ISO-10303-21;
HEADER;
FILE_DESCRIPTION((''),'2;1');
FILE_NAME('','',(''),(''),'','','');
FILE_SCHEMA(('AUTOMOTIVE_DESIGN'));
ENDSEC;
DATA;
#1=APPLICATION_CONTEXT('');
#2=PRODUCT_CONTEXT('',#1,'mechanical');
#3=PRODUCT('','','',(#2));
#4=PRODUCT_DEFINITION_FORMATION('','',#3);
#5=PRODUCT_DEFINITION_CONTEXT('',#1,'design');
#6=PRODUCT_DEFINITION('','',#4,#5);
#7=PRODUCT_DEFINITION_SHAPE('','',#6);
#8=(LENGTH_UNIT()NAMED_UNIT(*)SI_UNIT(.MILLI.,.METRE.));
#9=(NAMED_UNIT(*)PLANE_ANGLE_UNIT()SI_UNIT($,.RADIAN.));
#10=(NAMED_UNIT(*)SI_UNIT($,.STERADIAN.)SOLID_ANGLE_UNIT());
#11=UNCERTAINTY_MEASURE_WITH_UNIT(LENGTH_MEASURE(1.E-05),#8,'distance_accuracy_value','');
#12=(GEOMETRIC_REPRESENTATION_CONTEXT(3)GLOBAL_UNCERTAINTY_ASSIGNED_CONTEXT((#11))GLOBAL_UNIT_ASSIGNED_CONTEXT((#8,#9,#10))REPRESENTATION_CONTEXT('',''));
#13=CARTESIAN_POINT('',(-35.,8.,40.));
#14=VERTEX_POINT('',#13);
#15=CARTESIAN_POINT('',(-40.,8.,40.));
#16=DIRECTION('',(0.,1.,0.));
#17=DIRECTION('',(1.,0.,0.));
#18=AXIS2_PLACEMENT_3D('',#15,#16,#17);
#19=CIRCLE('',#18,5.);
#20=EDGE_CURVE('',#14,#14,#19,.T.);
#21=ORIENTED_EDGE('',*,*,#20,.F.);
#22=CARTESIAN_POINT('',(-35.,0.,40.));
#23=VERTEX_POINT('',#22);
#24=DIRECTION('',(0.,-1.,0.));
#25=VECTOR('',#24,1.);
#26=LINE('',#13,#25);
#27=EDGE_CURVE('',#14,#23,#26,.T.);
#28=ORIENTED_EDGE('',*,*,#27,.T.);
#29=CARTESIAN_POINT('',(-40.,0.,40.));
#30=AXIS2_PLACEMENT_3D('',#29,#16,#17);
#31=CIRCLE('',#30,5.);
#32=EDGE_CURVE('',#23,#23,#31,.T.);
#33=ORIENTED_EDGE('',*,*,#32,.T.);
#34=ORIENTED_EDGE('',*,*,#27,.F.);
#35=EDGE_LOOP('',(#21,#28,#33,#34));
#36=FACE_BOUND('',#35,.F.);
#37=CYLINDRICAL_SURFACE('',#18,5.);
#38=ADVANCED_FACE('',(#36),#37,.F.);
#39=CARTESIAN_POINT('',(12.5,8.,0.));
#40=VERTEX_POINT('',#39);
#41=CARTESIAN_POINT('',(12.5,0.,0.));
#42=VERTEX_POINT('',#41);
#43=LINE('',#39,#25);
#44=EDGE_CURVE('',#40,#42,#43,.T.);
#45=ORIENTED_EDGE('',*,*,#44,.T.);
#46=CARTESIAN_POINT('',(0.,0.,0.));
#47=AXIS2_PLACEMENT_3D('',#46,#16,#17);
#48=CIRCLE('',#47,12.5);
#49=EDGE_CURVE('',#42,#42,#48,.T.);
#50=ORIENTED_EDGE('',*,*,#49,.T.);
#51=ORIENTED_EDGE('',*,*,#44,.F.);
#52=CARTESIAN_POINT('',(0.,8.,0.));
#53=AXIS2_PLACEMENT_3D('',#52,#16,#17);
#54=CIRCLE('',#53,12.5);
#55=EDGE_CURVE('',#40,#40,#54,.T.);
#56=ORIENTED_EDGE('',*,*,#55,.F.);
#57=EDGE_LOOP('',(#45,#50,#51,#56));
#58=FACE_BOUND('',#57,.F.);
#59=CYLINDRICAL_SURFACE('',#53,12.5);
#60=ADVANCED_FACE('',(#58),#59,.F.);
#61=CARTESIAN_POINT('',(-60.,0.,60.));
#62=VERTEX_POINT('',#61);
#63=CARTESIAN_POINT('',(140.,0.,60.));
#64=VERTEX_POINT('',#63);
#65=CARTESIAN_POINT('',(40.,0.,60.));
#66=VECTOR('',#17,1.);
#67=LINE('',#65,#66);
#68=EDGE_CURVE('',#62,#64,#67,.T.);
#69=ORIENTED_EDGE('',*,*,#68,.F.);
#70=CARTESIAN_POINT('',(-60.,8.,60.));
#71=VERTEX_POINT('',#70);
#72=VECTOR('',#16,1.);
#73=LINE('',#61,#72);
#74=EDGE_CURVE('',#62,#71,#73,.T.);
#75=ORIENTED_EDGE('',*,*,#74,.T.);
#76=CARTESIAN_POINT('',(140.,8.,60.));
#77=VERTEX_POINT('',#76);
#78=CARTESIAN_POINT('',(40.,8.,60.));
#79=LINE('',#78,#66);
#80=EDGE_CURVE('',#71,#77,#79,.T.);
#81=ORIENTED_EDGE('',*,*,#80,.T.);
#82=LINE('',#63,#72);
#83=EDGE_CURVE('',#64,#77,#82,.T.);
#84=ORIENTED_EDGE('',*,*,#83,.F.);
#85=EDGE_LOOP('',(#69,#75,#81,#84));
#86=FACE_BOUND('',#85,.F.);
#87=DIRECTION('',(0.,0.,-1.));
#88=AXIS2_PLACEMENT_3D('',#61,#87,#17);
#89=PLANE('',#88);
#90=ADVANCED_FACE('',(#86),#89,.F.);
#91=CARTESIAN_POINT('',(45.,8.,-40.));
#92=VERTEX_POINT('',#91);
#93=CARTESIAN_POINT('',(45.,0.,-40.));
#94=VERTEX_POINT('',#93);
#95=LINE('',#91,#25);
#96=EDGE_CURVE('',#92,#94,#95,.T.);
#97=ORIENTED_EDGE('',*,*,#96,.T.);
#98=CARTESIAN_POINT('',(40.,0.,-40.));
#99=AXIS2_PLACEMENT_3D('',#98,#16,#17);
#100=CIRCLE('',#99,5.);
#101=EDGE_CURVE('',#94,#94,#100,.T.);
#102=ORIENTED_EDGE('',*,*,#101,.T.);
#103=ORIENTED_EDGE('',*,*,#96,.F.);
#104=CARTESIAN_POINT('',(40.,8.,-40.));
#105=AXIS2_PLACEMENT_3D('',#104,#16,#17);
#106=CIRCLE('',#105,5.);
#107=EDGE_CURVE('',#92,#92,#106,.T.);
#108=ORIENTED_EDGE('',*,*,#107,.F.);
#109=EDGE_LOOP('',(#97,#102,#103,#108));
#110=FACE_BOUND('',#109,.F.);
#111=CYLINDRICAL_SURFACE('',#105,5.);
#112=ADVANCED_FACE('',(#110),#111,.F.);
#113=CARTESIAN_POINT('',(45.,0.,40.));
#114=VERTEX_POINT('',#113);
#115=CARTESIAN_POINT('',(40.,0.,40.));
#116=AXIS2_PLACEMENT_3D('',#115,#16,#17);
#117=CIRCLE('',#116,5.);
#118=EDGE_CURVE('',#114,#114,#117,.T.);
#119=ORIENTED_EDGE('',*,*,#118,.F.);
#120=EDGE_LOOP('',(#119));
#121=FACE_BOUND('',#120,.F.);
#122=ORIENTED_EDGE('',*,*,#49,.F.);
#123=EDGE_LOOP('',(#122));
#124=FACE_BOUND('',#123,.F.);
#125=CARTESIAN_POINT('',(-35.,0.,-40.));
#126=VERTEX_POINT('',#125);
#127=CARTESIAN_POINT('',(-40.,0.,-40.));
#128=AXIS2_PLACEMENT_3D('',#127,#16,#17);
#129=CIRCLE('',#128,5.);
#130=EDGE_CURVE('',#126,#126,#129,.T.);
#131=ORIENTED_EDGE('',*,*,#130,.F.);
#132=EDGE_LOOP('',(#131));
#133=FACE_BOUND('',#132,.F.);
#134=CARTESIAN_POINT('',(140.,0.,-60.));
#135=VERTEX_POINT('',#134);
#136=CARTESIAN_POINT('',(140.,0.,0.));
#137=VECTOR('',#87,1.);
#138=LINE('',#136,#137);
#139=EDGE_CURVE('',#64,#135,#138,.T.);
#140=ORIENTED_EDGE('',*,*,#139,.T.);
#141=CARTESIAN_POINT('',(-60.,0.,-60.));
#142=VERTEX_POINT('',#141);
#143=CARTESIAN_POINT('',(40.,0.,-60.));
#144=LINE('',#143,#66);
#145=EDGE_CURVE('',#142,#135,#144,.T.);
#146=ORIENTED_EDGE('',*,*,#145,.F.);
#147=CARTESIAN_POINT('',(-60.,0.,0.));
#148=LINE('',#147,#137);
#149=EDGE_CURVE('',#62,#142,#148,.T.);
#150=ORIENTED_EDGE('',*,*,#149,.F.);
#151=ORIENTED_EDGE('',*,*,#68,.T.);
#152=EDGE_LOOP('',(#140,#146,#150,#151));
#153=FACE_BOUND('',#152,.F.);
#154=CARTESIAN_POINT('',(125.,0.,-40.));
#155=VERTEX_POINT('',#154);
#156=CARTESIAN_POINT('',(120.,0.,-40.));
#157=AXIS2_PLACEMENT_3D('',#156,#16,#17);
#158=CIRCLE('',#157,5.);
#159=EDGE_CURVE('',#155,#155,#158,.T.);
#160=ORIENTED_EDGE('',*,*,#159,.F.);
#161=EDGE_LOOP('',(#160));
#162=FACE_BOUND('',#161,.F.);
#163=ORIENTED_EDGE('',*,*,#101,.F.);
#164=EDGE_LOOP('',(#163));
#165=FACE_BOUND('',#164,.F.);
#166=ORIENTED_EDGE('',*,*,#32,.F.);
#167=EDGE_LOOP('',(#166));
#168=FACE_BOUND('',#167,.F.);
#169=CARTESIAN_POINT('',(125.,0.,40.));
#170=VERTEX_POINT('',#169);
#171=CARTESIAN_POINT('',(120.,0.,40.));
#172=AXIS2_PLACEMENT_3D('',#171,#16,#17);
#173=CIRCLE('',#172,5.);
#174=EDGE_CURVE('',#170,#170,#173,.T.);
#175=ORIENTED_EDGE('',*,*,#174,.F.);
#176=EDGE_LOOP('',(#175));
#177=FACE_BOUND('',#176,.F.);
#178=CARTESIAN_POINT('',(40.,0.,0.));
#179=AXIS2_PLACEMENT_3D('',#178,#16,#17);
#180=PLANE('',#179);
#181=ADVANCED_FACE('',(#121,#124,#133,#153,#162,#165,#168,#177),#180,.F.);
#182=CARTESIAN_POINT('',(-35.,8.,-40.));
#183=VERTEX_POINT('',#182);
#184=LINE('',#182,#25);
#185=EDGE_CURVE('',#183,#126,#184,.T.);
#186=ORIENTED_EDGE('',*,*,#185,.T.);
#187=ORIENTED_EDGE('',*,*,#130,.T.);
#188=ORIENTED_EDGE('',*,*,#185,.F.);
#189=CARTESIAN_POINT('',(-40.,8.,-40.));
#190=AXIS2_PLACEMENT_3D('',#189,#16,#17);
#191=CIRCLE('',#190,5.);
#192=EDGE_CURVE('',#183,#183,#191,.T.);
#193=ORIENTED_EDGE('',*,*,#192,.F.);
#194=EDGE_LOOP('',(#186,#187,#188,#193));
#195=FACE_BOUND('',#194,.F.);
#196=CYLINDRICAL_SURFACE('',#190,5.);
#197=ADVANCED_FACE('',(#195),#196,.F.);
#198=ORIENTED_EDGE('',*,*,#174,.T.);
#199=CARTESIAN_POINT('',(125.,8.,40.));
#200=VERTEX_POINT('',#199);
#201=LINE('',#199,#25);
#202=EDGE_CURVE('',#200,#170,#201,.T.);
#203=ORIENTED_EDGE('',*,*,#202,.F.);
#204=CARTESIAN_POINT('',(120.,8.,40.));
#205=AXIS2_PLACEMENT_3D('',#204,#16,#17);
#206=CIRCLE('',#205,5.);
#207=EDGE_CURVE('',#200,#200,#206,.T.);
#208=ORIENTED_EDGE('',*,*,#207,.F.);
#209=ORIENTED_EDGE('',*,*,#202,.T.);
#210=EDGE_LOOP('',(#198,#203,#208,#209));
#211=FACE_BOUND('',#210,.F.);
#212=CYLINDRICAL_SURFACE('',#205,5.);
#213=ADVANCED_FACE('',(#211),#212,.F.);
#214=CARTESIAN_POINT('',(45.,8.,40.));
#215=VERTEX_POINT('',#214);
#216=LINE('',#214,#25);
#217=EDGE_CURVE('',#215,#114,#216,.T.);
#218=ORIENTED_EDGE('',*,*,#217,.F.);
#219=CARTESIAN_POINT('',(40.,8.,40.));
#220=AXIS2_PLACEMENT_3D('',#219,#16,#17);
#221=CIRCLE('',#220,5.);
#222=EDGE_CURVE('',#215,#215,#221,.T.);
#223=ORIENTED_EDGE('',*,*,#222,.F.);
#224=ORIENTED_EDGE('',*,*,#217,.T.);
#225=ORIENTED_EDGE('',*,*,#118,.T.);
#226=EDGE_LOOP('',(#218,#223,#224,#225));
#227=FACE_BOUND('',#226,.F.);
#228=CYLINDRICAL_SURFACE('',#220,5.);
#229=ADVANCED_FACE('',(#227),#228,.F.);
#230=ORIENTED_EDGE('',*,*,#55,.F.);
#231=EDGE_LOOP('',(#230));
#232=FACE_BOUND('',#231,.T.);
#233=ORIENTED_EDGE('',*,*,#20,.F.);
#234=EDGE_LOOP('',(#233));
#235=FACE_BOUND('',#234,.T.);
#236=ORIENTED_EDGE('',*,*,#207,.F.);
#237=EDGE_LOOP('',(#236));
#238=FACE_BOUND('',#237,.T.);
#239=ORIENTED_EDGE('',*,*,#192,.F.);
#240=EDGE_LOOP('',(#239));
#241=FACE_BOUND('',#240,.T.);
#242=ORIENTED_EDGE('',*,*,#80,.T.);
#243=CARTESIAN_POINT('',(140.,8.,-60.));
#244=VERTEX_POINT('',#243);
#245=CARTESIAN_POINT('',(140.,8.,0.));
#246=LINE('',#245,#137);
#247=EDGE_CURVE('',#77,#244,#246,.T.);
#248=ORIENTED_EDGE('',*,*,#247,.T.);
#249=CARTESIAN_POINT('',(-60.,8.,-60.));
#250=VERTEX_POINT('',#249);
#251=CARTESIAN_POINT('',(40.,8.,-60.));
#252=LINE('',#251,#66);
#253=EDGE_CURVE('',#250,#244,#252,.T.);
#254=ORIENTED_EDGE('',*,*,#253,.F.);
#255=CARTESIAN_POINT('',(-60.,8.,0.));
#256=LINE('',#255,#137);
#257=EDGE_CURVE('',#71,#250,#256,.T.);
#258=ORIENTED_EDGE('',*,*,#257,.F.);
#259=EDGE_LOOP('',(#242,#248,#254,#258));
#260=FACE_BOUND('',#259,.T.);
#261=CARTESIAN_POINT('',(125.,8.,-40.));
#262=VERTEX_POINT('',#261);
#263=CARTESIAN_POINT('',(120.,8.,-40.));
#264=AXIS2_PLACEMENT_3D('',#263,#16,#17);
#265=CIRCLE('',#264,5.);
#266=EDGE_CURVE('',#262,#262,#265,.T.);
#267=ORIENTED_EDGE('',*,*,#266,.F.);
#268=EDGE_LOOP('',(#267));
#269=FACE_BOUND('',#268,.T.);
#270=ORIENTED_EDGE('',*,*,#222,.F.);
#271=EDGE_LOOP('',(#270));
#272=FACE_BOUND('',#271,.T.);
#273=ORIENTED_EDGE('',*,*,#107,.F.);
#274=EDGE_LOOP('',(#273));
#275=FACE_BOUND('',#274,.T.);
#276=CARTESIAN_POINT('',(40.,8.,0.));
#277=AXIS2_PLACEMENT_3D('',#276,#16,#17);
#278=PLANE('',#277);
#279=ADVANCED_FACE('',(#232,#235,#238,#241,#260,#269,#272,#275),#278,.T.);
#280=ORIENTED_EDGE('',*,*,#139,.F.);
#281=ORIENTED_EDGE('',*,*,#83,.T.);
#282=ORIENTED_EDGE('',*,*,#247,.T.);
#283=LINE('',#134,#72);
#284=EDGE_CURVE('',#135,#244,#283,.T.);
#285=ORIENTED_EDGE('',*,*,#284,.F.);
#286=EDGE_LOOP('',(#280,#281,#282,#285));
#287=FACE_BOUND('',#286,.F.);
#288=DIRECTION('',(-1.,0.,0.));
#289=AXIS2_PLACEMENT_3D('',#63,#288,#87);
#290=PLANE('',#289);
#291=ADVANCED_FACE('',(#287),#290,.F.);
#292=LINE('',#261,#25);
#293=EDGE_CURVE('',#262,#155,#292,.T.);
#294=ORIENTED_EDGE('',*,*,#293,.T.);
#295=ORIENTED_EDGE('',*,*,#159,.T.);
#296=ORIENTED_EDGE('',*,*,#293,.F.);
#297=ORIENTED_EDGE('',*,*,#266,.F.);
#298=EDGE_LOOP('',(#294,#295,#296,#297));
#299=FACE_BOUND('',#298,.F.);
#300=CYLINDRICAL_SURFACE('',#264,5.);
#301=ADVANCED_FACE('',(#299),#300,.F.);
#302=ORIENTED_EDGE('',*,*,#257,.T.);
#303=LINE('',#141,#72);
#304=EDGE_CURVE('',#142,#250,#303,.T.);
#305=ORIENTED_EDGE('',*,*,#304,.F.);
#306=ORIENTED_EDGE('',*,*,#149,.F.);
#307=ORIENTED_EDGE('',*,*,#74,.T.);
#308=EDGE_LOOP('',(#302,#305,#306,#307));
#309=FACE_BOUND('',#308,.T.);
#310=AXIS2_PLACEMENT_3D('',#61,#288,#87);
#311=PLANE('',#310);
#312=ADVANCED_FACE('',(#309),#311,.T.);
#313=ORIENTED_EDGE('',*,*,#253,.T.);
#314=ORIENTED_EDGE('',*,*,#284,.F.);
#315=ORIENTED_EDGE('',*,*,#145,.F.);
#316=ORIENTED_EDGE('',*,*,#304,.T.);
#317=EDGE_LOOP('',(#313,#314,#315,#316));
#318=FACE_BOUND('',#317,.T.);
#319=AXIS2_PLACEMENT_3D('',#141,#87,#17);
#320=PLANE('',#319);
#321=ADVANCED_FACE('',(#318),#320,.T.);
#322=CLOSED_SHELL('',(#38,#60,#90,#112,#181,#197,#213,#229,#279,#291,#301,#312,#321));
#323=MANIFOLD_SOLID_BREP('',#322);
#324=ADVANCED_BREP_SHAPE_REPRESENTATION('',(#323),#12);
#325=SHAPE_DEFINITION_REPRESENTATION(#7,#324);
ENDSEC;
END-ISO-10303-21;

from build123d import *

# Parameters (mm, degrees)
SKETCH1_W            = 200
SKETCH1_H            = 120
BOSS_EXTRUDE1_DEPTH  = 8
SKETCH2_R            = 5
CUT_EXTRUDE1_DEPTH   = 9
LPATTERN1_COUNT      = 2
LPATTERN1_PITCH      = 80
LPATTERN1_COUNT_DIR2 = 3
LPATTERN1_PITCH_DIR2 = 80
SKETCH3_R            = 12.5
CUT_EXTRUDE2_DEPTH   = 9


with BuildPart() as part:
    # Sketch1 → Boss-Extrude1 (new body)
    with BuildSketch(Plane(origin=(0, 0, 0), x_dir=(1, 0, 0), z_dir=(0, 1, 0))):
        with Locations((40, 0)):
            Rectangle(SKETCH1_W, SKETCH1_H)
    extrude(amount=BOSS_EXTRUDE1_DEPTH)

    # Sketch2 → Cut-Extrude1 (cut, through all)
    with BuildSketch(Plane(origin=(0, 8, 0), x_dir=(1, 0, 0), z_dir=(0, 1, 0))):
        with Locations((-40, 40)):
            Circle(SKETCH2_R)
    cut_extrude1 = extrude(amount=-CUT_EXTRUDE1_DEPTH, mode=Mode.SUBTRACT)

    # LPattern1: Cut-Extrude1 2 × 3
    with Locations(*[(j * LPATTERN1_PITCH_DIR2, 0, i * LPATTERN1_PITCH) for i in range(LPATTERN1_COUNT) for j in range(LPATTERN1_COUNT_DIR2) if (i, j) != (0, 0)]):
        add(cut_extrude1, mode=Mode.SUBTRACT)

    # Sketch3 → Cut-Extrude2 (cut, through all)
    with BuildSketch(Plane(origin=(0, 8, 0), x_dir=(1, 0, 0), z_dir=(0, 1, 0))):
        Circle(SKETCH3_R)
    extrude(amount=-CUT_EXTRUDE2_DEPTH, mode=Mode.SUBTRACT)


solid = part.part
